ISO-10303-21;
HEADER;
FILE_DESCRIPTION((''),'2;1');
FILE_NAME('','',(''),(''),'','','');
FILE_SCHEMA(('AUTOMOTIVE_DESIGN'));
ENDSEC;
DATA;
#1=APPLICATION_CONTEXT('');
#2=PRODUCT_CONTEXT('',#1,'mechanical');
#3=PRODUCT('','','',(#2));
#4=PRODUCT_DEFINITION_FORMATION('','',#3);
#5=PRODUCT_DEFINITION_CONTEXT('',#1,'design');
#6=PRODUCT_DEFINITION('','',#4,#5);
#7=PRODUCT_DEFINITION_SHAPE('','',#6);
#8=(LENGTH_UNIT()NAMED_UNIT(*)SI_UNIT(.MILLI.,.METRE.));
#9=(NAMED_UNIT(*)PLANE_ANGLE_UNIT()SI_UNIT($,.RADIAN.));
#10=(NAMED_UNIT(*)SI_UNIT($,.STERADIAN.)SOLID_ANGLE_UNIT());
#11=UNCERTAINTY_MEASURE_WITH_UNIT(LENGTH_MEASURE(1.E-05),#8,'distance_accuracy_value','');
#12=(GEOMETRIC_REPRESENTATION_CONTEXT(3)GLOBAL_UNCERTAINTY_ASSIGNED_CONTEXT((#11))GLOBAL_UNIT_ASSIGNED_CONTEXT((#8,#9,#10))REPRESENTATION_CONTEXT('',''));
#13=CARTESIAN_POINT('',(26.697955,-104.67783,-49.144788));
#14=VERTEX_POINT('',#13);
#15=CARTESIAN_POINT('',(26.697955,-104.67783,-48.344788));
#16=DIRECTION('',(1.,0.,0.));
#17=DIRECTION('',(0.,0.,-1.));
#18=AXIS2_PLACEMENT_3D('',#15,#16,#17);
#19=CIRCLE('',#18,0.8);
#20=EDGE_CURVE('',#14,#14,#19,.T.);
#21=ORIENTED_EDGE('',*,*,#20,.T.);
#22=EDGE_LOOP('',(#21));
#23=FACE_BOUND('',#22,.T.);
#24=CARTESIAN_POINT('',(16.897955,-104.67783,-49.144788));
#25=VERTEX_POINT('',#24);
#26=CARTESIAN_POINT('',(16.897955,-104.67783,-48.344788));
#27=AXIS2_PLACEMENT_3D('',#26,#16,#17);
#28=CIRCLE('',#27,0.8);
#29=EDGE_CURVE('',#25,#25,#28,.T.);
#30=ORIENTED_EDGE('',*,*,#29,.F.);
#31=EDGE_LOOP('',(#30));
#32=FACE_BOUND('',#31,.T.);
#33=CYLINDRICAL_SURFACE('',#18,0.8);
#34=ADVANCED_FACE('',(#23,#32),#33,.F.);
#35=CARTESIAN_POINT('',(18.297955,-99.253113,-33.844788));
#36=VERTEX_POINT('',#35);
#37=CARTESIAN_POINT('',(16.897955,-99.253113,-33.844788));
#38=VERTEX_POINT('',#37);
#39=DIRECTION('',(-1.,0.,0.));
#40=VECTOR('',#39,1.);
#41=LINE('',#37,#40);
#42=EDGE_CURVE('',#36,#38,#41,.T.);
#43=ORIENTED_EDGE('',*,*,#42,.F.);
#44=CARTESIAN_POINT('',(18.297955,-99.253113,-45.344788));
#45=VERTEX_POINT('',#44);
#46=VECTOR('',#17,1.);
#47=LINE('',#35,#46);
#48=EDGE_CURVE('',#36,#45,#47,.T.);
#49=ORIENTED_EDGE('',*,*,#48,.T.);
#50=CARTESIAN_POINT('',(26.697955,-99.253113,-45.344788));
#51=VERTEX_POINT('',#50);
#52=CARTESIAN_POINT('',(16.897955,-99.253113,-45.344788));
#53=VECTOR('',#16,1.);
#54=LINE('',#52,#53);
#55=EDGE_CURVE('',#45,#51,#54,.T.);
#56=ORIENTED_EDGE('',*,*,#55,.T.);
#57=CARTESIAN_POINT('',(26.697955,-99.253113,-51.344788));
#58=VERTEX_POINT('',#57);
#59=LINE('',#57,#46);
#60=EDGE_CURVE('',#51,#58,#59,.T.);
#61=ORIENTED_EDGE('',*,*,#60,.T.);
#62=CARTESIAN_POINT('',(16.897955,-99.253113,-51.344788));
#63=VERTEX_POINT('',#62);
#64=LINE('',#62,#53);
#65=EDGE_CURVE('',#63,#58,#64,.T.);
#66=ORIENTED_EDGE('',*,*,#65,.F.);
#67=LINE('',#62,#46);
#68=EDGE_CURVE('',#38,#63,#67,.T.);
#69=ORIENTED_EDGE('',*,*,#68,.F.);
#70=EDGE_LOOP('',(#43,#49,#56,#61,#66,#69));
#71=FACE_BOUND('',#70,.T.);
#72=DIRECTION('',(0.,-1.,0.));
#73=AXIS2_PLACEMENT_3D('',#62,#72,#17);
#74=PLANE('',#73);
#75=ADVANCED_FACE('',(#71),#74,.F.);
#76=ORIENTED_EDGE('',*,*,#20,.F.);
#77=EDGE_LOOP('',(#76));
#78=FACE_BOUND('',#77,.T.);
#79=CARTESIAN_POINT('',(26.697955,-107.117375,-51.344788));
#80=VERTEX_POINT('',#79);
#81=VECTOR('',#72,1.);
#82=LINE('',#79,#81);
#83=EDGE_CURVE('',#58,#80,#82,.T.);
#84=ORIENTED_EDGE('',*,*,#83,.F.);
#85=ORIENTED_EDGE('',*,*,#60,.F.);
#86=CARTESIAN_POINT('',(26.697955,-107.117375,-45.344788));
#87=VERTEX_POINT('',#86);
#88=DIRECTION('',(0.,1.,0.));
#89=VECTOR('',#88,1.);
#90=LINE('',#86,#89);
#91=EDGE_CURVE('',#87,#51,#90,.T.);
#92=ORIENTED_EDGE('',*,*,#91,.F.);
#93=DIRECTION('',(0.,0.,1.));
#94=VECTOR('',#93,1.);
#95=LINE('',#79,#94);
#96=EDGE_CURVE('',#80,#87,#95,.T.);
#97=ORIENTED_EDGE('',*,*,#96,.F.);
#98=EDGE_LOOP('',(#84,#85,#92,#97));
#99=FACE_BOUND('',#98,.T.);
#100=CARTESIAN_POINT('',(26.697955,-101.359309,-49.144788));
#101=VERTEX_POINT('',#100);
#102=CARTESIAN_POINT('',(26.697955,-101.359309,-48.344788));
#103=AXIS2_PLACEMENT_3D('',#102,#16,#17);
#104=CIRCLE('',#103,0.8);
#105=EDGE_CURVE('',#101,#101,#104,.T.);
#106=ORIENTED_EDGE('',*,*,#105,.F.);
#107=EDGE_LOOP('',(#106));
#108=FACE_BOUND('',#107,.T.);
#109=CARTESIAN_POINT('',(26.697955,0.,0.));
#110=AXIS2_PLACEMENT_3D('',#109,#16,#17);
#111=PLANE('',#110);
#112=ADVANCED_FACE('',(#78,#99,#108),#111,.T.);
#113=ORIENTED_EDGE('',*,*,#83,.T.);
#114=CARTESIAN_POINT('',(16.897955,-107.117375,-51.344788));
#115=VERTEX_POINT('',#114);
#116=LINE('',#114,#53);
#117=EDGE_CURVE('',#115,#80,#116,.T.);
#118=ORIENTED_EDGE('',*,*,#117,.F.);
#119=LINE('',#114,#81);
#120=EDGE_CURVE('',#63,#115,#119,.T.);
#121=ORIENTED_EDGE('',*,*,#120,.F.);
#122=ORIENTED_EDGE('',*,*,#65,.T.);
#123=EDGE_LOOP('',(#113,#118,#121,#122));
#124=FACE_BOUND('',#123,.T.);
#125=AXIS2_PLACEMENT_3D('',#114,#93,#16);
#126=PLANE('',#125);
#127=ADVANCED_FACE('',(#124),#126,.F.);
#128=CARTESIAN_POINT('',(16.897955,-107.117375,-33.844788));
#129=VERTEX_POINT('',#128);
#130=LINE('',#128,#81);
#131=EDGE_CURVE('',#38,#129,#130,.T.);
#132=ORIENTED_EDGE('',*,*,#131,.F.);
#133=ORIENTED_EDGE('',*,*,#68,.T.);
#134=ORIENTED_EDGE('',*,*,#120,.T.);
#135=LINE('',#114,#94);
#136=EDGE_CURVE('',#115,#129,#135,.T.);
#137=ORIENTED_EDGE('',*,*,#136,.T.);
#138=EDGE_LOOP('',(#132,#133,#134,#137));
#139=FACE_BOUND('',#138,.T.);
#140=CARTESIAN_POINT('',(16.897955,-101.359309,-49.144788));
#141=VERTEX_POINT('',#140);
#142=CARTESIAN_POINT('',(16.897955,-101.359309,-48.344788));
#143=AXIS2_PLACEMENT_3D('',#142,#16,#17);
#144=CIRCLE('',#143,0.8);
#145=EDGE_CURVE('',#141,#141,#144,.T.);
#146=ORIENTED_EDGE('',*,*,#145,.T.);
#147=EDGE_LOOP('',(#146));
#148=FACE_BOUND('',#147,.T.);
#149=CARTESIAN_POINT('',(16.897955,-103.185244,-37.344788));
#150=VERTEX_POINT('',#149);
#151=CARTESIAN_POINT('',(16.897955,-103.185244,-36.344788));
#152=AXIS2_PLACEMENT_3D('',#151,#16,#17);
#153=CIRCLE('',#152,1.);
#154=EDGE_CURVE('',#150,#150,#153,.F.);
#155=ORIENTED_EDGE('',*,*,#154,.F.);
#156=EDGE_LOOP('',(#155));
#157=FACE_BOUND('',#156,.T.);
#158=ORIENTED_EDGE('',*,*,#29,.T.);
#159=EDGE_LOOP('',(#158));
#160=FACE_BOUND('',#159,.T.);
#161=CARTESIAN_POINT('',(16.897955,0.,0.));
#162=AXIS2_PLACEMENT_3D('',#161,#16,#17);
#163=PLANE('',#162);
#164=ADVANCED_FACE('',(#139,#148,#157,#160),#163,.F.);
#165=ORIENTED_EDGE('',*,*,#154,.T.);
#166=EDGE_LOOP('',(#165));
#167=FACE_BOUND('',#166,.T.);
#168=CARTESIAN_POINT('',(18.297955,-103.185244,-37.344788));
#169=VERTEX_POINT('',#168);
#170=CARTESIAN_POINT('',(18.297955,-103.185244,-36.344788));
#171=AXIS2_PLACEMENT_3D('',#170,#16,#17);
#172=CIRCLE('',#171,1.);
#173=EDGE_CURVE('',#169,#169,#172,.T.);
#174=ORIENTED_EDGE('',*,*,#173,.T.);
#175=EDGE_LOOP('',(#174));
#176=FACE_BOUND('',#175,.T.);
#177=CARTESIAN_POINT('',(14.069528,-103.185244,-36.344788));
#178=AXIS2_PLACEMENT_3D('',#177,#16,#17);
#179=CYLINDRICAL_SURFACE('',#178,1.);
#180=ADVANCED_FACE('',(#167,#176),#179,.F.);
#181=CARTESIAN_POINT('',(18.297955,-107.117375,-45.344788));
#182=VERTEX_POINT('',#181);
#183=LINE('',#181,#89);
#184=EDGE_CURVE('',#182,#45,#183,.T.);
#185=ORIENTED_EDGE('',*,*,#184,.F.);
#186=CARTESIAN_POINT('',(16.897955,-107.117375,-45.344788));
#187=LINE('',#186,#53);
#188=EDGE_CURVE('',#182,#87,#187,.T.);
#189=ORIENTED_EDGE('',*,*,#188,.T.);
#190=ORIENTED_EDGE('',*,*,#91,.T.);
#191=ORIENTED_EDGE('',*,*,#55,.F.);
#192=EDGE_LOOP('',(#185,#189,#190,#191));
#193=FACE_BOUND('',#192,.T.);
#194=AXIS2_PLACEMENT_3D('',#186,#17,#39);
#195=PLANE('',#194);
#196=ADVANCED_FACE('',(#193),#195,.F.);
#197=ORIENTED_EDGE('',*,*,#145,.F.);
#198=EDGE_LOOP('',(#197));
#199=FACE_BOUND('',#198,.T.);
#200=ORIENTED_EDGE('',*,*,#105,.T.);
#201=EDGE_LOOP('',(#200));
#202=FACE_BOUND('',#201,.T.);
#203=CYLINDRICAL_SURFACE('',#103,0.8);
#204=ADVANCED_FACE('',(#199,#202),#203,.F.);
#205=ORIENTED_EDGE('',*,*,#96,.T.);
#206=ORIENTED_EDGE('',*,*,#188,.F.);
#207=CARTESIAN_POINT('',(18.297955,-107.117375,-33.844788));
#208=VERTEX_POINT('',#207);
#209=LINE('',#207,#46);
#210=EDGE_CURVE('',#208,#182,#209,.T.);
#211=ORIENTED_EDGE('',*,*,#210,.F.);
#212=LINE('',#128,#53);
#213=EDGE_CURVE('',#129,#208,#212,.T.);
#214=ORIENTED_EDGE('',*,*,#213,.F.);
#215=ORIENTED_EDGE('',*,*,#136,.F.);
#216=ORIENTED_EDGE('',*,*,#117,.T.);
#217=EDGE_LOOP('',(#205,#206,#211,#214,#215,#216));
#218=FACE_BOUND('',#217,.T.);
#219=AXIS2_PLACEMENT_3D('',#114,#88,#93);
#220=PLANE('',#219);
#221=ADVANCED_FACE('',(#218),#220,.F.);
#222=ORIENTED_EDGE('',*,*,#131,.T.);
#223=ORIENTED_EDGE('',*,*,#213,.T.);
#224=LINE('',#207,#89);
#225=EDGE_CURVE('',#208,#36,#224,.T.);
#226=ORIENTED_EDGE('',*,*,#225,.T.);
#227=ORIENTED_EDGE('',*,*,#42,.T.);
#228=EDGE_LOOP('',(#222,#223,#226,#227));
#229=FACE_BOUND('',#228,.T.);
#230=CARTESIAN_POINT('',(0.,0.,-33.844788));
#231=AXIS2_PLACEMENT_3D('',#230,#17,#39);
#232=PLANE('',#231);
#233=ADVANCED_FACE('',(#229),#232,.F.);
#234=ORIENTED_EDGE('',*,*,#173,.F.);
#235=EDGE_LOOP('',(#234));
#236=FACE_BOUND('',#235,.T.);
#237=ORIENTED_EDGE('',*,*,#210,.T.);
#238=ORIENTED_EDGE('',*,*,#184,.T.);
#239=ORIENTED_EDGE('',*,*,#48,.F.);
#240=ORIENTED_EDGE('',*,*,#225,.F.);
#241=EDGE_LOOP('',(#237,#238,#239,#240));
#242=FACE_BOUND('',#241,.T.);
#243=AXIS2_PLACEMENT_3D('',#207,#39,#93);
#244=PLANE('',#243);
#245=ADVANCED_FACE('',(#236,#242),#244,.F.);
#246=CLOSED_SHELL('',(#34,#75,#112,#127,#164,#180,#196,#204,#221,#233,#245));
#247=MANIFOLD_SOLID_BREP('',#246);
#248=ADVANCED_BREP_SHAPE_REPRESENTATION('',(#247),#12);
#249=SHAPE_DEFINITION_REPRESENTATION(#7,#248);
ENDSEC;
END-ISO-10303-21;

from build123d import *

# Parameters (mm, degrees)
CROQUIS1_W                = 6
CROQUIS1_H                = 7.864261992
SALIENTE_EXTRUIR1_DEPTH   = 9.8
CROQUIS2_W                = 1.4
CROQUIS2_H                = 7.864261992
SALIENTE_EXTRUIR2_DEPTH   = 11.5
CROQUIS3_R                = 1
CORTAR_EXTRUIR1_DEPTH     = 1.4
TALADRO_ROSCADO_M21_D     = 1.6
TALADRO_ROSCADO_M21_DEPTH = 13
TALADRO_ROSCADO_M21_TIP   = 0.480688495


with BuildPart() as part:
    # Croquis1 → Saliente-Extruir1 (new body)
    with BuildSketch(Plane.ZY.offset(-26.697955236)):
        with Locations((-48.344788292, -103.185244075)):
            Rectangle(CROQUIS1_W, CROQUIS1_H)
    extrude(amount=SALIENTE_EXTRUIR1_DEPTH)

    # Croquis2 → Saliente-Extruir2 (add)
    with BuildSketch(Plane.XY.offset(-45.344788292)):
        with Locations((17.597955236, -103.185244075)):
            Rectangle(CROQUIS2_W, CROQUIS2_H)
    extrude(amount=SALIENTE_EXTRUIR2_DEPTH)

    # Croquis3 → Cortar-Extruir1 (cut)
    with BuildSketch(Plane(origin=(18.297955236, 0, 0), x_dir=(0, 0, -1), z_dir=(1, 0, 0))):
        with Locations((36.344788292, -103.185244075)):
            Circle(CROQUIS3_R)
    extrude(amount=-CORTAR_EXTRUIR1_DEPTH, mode=Mode.SUBTRACT)

    # Taladro roscado M21
    with Locations(Plane(origin=(26.697955236, 0, 0), x_dir=(0, 0, -1), z_dir=(1, 0, 0))):
        with Locations((48.344788292, -104.677829932), (48.344788292, -101.359309211)):
            Hole(TALADRO_ROSCADO_M21_D / 2, depth=TALADRO_ROSCADO_M21_DEPTH)
            with Locations((0, 0, -(TALADRO_ROSCADO_M21_DEPTH + TALADRO_ROSCADO_M21_TIP / 2))):  # 118° drill point
                Cone(0, TALADRO_ROSCADO_M21_D / 2, TALADRO_ROSCADO_M21_TIP, mode=Mode.SUBTRACT)


solid = part.part
